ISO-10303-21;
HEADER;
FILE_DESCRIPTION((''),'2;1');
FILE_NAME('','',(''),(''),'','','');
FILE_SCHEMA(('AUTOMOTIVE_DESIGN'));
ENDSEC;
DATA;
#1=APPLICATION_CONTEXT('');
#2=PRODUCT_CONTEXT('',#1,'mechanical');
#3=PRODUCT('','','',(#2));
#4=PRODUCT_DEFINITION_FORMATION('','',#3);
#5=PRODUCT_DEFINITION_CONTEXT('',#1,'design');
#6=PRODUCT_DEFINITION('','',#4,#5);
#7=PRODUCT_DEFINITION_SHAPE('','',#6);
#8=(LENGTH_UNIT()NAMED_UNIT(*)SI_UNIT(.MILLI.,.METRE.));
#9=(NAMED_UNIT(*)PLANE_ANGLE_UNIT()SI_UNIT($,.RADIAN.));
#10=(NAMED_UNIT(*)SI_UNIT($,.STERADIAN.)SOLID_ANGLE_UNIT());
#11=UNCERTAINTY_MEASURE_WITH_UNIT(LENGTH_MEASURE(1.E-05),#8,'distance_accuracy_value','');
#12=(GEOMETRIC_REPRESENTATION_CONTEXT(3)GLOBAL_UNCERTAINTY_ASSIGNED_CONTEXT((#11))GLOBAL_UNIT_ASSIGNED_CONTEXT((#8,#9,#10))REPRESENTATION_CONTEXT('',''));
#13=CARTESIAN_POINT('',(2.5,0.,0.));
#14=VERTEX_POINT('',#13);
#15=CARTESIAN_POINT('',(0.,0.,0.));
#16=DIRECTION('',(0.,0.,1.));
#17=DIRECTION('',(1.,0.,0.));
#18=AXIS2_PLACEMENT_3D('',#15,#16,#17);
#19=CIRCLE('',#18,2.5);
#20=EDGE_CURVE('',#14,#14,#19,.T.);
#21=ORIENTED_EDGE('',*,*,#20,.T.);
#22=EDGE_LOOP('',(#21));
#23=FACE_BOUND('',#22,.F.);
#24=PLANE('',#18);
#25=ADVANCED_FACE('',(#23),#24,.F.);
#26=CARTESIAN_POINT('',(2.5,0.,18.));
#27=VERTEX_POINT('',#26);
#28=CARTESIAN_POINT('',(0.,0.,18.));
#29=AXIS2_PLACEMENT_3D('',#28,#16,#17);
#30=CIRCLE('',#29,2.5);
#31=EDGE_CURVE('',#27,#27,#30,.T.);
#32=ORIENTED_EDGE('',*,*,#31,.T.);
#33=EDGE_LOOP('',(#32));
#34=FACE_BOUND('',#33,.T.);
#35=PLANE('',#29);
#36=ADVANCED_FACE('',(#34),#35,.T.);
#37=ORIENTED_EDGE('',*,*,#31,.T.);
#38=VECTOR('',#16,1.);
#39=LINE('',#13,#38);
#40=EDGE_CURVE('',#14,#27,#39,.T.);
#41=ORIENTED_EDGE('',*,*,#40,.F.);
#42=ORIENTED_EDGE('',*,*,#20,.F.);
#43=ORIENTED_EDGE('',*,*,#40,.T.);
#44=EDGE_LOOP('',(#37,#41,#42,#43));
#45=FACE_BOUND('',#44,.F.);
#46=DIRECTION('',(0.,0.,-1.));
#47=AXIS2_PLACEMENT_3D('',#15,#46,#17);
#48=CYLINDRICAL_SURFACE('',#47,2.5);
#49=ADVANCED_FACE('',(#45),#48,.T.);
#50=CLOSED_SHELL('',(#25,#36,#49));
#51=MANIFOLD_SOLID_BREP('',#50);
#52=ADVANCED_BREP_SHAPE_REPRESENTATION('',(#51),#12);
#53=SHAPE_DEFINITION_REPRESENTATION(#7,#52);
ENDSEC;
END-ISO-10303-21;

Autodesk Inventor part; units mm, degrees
ref_plane "YZ Plane" through (0, 0, 0) normal (1, 0, 0) x (0, 1, 0)
ref_plane "XZ Plane" through (0, 0, 0) normal (0, 1, 0) x (-1, 0, 0)
ref_plane "XY Plane" through (0, 0, 0) normal (0, 0, 1) x (1, 0, 0)
sketch "Sketch1" plane through (0, 0, 0) normal (0, 0, 1) x (1, 0, 0)
  circle A0 centre (0, 0) radius 2.5
  dimension "d0" = 5
extrude "Extrusion1" add sketch "Sketch1" along normal blind 18
properties part number "ESTAMP Post 68311000"
